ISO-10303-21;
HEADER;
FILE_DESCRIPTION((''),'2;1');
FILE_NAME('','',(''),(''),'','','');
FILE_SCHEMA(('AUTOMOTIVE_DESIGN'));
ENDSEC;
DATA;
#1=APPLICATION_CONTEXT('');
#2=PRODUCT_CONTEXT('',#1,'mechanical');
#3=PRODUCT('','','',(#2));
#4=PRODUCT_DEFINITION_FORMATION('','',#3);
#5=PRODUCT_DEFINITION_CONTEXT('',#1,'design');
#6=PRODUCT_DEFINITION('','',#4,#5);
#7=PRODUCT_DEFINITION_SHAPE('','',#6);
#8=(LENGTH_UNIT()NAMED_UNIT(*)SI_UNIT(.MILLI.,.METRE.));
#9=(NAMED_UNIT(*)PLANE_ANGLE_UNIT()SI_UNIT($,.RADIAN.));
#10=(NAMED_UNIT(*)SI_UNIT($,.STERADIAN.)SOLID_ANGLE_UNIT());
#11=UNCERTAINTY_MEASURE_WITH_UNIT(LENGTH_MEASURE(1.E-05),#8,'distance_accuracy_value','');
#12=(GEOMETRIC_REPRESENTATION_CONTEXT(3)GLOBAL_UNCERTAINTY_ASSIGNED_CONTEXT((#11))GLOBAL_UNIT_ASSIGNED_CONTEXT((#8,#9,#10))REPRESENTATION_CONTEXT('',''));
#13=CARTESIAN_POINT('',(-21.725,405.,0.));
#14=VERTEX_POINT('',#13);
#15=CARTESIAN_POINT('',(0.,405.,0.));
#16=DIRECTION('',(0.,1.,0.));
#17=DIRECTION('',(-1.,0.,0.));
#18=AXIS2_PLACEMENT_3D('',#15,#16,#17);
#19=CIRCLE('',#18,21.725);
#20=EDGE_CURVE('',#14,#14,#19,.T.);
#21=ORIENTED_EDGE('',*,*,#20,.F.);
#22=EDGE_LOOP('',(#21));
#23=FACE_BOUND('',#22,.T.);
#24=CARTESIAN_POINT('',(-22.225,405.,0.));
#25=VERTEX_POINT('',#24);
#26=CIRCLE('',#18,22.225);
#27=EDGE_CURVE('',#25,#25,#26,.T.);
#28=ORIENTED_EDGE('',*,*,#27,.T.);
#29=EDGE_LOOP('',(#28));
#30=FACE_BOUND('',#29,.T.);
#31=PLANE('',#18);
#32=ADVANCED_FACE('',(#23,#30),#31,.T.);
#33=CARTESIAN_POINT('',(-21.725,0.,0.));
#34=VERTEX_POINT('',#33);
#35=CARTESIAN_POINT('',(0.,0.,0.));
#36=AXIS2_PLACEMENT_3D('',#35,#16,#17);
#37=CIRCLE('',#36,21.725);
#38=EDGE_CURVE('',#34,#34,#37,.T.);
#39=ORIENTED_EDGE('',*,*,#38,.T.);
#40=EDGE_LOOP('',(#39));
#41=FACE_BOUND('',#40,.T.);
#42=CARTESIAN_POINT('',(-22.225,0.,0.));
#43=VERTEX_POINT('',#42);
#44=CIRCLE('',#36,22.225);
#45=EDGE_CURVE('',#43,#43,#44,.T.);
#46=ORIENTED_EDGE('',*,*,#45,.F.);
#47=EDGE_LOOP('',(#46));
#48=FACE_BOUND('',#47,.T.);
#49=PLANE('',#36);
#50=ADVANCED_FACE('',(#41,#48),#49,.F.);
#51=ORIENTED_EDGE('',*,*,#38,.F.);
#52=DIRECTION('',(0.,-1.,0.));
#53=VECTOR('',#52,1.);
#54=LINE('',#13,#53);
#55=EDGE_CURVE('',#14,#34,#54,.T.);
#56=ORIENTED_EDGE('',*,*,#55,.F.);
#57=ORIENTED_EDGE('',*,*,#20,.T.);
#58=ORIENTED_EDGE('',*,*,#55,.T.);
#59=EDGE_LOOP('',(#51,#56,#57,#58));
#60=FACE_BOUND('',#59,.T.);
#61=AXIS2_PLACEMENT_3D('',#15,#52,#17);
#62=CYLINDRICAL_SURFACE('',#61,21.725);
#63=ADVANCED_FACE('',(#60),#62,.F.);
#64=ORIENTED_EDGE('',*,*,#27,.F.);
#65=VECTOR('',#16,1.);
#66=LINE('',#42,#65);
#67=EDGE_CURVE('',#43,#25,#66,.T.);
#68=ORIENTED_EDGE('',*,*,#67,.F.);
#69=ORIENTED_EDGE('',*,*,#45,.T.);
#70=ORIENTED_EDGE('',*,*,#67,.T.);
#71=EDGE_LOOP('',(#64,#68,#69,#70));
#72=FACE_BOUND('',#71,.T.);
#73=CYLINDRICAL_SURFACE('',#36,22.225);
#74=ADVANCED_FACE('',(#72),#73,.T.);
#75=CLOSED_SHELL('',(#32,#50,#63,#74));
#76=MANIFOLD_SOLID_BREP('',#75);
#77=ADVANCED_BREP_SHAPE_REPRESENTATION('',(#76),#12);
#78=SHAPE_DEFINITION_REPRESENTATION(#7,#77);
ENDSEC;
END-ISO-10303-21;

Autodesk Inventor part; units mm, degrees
ref_plane "YZ Plane" through (0, 0, 0) normal (1, 0, 0) x (0, 1, 0)
ref_plane "XZ Plane" through (0, 0, 0) normal (0, 1, 0) x (-1, 0, 0)
ref_plane "XY Plane" through (0, 0, 0) normal (0, 0, 1) x (1, 0, 0)
sketch "Sketch1" plane through (0, 0, 0) normal (0, 0, 1) x (1, 0, 0)
  line L0 (-21.725, 0) -> (-22.225, 0)
  line L1 (-22.225, 0) -> (-22.225, 405)
  line L2 (-22.225, 405) -> (-21.725, 405)
  line L3 (-21.725, 405) -> (-21.725, 0)
  line L4 (0, -81) -> (0, 486) projected
  point P0 (0, 0)
  dimension "d0" = 22.225
  dimension "d1" = 0.5
  dimension "d2" = 405
revolve "Revolution1" add sketch "Sketch1" angle 360 about axis through (0, -10, 0) along (0, 1, 0)
properties part number "BodyCylinderThin" material "Stainless Steel"
